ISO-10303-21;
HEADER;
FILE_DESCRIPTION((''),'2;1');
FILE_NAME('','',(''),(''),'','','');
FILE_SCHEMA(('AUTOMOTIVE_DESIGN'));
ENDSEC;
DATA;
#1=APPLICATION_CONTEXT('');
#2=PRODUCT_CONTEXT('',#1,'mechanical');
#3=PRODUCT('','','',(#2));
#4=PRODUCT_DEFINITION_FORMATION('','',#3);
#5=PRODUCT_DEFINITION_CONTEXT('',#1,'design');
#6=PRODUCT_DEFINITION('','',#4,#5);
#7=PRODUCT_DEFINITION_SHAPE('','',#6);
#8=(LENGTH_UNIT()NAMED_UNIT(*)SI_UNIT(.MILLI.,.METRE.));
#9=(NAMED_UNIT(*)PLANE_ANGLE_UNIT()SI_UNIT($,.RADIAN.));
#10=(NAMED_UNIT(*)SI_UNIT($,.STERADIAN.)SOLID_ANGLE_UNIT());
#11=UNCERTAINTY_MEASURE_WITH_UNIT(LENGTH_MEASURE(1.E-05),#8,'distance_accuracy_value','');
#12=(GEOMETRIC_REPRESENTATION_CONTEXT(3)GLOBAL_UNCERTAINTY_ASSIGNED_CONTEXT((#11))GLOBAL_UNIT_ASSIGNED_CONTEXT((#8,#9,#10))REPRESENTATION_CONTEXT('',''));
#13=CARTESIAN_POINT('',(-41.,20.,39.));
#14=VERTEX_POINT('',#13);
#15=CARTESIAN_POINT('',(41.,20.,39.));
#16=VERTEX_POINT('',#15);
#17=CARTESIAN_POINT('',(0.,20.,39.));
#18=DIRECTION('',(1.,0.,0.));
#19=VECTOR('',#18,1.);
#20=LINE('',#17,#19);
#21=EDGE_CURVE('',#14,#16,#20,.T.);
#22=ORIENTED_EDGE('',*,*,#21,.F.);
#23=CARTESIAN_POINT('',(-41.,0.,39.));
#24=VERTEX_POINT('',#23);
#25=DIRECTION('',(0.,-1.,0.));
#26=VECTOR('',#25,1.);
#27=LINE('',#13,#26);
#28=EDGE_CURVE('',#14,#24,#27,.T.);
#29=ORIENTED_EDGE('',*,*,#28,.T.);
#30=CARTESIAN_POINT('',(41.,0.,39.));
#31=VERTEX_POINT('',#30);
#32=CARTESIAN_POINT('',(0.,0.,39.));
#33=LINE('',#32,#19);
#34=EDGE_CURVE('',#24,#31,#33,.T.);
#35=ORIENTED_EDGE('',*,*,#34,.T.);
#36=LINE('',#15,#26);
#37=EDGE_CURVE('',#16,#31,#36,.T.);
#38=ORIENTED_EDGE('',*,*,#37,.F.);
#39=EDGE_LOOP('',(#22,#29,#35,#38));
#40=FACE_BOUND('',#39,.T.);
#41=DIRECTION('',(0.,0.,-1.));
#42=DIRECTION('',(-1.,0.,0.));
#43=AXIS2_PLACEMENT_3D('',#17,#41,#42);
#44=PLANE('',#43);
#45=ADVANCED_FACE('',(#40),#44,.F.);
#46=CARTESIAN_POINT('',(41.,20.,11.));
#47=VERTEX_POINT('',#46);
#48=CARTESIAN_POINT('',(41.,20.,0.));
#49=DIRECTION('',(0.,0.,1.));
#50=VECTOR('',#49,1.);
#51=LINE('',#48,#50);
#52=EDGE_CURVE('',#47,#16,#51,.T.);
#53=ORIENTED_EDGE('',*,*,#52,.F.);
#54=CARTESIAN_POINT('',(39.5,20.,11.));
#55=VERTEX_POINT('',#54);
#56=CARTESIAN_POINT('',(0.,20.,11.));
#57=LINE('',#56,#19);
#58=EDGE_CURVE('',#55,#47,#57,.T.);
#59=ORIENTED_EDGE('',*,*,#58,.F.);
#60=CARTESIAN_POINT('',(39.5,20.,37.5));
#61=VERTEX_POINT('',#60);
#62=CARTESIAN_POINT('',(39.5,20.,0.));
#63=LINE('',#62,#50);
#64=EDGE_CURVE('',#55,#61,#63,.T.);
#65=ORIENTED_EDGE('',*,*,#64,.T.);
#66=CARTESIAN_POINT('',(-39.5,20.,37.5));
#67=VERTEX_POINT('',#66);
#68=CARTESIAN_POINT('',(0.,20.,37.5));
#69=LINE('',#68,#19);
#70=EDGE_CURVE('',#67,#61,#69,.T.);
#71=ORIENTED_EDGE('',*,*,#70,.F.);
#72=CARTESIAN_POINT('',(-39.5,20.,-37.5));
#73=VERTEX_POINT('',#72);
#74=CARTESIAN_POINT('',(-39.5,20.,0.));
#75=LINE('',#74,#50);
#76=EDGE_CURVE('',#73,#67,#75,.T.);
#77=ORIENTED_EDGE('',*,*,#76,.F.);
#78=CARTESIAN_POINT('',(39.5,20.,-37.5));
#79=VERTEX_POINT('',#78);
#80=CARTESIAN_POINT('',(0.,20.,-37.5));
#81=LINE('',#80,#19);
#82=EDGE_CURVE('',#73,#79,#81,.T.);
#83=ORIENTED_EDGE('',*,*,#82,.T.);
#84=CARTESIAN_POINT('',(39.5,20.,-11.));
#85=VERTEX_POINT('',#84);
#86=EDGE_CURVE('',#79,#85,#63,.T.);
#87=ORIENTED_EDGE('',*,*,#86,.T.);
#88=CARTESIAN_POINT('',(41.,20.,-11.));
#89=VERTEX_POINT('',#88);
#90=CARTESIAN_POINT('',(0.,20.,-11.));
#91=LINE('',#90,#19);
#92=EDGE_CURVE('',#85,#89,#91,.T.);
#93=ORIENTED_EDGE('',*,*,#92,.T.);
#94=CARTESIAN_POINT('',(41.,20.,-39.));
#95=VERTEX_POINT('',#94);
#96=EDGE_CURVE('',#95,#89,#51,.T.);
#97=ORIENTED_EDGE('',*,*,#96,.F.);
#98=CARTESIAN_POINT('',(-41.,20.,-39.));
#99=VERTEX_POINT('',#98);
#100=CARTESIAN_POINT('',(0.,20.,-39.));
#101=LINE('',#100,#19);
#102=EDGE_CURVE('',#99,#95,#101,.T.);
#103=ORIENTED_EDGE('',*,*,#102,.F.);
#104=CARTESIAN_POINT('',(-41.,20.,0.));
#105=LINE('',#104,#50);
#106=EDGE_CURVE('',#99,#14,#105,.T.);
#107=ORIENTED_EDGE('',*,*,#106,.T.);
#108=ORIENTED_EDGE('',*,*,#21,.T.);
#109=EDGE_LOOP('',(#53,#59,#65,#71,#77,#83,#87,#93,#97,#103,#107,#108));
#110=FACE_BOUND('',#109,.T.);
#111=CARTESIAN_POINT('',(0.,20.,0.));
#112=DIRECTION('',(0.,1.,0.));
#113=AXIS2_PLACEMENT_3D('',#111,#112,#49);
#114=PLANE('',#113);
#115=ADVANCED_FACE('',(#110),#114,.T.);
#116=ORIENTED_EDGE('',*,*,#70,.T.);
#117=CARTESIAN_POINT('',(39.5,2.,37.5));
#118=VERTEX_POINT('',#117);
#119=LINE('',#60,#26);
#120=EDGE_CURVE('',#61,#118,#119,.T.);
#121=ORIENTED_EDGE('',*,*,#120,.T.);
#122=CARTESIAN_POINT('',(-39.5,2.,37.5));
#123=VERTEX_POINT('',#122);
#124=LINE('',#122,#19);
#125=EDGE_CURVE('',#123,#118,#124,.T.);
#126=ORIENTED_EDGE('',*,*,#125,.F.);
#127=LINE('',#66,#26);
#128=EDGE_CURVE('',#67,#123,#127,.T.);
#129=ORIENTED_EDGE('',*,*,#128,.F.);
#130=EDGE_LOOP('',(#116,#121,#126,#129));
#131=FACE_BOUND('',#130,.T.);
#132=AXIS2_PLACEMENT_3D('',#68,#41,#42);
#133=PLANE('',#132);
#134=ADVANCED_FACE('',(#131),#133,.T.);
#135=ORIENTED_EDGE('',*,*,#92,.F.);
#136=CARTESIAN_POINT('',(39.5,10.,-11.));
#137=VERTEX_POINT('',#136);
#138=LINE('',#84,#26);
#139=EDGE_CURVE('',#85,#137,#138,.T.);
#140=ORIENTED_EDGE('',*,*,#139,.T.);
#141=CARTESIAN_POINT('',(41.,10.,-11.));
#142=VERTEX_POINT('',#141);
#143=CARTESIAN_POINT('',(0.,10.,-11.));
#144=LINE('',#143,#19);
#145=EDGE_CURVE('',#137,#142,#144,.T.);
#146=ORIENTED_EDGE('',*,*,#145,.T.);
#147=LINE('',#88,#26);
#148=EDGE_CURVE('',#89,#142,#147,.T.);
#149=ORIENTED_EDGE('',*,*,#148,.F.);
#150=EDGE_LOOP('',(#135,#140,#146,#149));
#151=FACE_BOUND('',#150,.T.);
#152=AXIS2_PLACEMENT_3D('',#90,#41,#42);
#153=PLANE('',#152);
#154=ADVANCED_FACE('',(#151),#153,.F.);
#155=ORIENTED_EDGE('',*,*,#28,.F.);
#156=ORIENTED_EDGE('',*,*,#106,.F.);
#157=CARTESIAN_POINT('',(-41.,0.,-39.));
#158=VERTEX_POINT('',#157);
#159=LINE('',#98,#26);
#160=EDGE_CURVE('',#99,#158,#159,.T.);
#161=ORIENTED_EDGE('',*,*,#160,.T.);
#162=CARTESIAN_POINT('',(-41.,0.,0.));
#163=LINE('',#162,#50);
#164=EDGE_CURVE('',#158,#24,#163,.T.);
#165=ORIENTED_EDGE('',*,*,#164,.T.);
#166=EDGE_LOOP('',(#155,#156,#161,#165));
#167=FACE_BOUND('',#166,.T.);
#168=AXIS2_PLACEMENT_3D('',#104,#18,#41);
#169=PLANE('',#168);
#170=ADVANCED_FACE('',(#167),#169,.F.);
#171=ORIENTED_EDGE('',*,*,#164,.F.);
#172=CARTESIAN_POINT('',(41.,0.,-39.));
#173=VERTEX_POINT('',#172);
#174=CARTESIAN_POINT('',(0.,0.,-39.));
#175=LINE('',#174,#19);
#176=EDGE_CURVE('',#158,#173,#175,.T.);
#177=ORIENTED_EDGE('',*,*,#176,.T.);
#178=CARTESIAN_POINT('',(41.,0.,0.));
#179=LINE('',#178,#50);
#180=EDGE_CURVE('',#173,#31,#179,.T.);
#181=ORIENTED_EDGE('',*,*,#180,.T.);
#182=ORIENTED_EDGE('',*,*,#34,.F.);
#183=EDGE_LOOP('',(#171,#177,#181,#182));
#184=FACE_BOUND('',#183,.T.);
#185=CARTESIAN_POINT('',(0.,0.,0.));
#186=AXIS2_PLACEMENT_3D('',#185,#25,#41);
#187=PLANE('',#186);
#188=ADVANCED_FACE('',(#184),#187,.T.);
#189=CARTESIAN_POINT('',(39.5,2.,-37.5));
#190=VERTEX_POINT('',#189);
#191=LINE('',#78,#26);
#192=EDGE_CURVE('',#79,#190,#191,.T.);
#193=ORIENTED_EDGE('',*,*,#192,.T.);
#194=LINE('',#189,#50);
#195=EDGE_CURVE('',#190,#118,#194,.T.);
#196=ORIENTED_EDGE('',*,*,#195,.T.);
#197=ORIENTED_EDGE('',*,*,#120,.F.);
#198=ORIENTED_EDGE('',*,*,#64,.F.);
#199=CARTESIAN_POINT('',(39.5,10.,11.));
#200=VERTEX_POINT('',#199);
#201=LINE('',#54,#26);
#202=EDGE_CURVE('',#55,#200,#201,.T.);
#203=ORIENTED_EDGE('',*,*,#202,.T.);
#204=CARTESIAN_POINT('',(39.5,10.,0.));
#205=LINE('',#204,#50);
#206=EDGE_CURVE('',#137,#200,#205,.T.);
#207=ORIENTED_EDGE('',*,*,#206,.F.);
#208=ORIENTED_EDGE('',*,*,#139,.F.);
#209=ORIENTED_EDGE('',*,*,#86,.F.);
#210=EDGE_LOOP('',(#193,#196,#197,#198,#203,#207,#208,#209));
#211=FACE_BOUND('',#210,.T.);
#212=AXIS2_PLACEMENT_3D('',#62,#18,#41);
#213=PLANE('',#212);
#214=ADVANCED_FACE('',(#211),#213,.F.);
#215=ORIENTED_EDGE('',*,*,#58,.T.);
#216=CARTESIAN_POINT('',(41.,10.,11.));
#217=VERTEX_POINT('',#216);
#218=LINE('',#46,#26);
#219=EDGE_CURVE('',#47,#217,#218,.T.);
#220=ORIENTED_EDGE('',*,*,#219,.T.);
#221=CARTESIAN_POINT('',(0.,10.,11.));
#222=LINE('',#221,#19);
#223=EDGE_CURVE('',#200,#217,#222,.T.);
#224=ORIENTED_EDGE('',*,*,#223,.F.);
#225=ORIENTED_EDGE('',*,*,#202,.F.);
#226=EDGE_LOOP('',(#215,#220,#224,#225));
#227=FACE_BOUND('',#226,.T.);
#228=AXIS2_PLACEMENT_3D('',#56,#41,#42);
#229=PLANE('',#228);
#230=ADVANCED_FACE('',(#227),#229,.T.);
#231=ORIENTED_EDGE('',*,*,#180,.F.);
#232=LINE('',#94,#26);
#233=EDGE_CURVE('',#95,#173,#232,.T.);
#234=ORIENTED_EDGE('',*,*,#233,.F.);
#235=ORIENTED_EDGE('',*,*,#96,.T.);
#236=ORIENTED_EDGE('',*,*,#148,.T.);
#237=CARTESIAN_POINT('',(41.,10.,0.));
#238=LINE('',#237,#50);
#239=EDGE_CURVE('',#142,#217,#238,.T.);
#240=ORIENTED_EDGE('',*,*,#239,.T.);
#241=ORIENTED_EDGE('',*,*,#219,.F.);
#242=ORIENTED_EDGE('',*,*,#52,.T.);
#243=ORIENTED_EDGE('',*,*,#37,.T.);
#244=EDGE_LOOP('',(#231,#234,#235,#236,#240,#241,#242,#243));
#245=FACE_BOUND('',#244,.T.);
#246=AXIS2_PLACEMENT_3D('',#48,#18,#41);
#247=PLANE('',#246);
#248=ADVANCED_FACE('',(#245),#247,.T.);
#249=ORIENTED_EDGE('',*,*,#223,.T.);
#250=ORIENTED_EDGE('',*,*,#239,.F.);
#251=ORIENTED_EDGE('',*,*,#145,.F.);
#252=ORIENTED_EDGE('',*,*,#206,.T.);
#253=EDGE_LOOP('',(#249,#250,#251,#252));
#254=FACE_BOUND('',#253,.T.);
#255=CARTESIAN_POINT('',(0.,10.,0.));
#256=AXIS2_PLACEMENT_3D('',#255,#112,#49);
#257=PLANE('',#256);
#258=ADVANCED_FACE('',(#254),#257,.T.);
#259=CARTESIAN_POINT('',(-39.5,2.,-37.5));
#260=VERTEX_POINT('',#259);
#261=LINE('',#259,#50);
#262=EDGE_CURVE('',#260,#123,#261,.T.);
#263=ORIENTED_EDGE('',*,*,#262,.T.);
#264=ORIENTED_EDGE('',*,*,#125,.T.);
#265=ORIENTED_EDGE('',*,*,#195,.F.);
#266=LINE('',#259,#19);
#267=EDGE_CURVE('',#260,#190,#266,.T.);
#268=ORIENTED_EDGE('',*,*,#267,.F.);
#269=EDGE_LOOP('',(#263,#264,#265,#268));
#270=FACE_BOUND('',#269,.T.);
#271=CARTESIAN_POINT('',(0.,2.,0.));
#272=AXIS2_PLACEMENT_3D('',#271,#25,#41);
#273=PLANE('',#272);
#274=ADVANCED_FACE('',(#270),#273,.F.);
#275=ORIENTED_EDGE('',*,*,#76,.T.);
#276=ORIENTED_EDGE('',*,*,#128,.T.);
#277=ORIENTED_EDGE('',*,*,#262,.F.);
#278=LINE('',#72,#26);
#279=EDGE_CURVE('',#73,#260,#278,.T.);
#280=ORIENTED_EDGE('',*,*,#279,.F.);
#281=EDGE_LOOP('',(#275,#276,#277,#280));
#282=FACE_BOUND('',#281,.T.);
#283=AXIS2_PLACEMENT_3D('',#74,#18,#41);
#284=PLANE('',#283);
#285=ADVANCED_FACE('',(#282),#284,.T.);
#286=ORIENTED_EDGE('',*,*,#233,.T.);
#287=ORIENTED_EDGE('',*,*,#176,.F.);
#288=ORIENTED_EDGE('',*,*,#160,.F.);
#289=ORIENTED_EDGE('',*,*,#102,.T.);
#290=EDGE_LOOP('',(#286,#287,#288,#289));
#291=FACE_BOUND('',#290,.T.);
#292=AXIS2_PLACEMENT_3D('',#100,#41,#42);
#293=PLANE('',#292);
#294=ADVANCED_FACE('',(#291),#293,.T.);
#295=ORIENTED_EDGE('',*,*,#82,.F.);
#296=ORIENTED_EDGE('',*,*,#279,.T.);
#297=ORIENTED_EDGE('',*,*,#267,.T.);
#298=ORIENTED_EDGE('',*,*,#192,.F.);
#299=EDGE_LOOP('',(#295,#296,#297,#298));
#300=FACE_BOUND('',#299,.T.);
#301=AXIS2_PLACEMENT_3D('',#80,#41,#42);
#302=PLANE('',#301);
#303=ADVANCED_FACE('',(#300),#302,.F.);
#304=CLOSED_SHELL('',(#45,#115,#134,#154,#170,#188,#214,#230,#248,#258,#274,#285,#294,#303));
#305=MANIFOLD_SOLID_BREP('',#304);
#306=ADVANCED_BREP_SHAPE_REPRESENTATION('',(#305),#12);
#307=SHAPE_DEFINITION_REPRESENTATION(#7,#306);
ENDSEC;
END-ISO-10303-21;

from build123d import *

# Parameters (mm, degrees)
CROQUIS1_W              = 79
CROQUIS1_H              = 75
SALIENTE_EXTRUIR1_DEPTH = 2
SALIENTE_EXTRUIR3_DEPTH = 20
CROQUIS1_5_W            = 1.5
CROQUIS1_5_H            = 22
SALIENTE_EXTRUIR4_DEPTH = 10


with BuildPart() as part:
    # Croquis1 → Saliente-Extruir1 (new body)
    with BuildSketch(Plane(origin=(0, 0, 0), x_dir=(1, 0, 0), z_dir=(0, 1, 0))):
        Rectangle(CROQUIS1_W, CROQUIS1_H)
    extrude(amount=SALIENTE_EXTRUIR1_DEPTH)

    # Croquis1<4> → Saliente-Extruir3 (add)
    with BuildSketch(Plane(origin=(0, 0, 0), x_dir=(1, 0, 0), z_dir=(0, 1, 0))):
        Polygon((-39.5, -37.5), (-39.5, 37.5), (39.5, 37.5), (39.5, 11), (41, 11), (41, 39), (-41, 39), (-41, -39), (41, -39), (41, -11), (39.5, -11), (39.5, -37.5), align=None)
    extrude(amount=SALIENTE_EXTRUIR3_DEPTH)

    # Croquis1<5> → Saliente-Extruir4 (add)
    with BuildSketch(Plane(origin=(0, 0, 0), x_dir=(1, 0, 0), z_dir=(0, 1, 0))):
        with Locations((40.25, 0)):
            Rectangle(CROQUIS1_5_W, CROQUIS1_5_H)
    extrude(amount=SALIENTE_EXTRUIR4_DEPTH)


solid = part.part
